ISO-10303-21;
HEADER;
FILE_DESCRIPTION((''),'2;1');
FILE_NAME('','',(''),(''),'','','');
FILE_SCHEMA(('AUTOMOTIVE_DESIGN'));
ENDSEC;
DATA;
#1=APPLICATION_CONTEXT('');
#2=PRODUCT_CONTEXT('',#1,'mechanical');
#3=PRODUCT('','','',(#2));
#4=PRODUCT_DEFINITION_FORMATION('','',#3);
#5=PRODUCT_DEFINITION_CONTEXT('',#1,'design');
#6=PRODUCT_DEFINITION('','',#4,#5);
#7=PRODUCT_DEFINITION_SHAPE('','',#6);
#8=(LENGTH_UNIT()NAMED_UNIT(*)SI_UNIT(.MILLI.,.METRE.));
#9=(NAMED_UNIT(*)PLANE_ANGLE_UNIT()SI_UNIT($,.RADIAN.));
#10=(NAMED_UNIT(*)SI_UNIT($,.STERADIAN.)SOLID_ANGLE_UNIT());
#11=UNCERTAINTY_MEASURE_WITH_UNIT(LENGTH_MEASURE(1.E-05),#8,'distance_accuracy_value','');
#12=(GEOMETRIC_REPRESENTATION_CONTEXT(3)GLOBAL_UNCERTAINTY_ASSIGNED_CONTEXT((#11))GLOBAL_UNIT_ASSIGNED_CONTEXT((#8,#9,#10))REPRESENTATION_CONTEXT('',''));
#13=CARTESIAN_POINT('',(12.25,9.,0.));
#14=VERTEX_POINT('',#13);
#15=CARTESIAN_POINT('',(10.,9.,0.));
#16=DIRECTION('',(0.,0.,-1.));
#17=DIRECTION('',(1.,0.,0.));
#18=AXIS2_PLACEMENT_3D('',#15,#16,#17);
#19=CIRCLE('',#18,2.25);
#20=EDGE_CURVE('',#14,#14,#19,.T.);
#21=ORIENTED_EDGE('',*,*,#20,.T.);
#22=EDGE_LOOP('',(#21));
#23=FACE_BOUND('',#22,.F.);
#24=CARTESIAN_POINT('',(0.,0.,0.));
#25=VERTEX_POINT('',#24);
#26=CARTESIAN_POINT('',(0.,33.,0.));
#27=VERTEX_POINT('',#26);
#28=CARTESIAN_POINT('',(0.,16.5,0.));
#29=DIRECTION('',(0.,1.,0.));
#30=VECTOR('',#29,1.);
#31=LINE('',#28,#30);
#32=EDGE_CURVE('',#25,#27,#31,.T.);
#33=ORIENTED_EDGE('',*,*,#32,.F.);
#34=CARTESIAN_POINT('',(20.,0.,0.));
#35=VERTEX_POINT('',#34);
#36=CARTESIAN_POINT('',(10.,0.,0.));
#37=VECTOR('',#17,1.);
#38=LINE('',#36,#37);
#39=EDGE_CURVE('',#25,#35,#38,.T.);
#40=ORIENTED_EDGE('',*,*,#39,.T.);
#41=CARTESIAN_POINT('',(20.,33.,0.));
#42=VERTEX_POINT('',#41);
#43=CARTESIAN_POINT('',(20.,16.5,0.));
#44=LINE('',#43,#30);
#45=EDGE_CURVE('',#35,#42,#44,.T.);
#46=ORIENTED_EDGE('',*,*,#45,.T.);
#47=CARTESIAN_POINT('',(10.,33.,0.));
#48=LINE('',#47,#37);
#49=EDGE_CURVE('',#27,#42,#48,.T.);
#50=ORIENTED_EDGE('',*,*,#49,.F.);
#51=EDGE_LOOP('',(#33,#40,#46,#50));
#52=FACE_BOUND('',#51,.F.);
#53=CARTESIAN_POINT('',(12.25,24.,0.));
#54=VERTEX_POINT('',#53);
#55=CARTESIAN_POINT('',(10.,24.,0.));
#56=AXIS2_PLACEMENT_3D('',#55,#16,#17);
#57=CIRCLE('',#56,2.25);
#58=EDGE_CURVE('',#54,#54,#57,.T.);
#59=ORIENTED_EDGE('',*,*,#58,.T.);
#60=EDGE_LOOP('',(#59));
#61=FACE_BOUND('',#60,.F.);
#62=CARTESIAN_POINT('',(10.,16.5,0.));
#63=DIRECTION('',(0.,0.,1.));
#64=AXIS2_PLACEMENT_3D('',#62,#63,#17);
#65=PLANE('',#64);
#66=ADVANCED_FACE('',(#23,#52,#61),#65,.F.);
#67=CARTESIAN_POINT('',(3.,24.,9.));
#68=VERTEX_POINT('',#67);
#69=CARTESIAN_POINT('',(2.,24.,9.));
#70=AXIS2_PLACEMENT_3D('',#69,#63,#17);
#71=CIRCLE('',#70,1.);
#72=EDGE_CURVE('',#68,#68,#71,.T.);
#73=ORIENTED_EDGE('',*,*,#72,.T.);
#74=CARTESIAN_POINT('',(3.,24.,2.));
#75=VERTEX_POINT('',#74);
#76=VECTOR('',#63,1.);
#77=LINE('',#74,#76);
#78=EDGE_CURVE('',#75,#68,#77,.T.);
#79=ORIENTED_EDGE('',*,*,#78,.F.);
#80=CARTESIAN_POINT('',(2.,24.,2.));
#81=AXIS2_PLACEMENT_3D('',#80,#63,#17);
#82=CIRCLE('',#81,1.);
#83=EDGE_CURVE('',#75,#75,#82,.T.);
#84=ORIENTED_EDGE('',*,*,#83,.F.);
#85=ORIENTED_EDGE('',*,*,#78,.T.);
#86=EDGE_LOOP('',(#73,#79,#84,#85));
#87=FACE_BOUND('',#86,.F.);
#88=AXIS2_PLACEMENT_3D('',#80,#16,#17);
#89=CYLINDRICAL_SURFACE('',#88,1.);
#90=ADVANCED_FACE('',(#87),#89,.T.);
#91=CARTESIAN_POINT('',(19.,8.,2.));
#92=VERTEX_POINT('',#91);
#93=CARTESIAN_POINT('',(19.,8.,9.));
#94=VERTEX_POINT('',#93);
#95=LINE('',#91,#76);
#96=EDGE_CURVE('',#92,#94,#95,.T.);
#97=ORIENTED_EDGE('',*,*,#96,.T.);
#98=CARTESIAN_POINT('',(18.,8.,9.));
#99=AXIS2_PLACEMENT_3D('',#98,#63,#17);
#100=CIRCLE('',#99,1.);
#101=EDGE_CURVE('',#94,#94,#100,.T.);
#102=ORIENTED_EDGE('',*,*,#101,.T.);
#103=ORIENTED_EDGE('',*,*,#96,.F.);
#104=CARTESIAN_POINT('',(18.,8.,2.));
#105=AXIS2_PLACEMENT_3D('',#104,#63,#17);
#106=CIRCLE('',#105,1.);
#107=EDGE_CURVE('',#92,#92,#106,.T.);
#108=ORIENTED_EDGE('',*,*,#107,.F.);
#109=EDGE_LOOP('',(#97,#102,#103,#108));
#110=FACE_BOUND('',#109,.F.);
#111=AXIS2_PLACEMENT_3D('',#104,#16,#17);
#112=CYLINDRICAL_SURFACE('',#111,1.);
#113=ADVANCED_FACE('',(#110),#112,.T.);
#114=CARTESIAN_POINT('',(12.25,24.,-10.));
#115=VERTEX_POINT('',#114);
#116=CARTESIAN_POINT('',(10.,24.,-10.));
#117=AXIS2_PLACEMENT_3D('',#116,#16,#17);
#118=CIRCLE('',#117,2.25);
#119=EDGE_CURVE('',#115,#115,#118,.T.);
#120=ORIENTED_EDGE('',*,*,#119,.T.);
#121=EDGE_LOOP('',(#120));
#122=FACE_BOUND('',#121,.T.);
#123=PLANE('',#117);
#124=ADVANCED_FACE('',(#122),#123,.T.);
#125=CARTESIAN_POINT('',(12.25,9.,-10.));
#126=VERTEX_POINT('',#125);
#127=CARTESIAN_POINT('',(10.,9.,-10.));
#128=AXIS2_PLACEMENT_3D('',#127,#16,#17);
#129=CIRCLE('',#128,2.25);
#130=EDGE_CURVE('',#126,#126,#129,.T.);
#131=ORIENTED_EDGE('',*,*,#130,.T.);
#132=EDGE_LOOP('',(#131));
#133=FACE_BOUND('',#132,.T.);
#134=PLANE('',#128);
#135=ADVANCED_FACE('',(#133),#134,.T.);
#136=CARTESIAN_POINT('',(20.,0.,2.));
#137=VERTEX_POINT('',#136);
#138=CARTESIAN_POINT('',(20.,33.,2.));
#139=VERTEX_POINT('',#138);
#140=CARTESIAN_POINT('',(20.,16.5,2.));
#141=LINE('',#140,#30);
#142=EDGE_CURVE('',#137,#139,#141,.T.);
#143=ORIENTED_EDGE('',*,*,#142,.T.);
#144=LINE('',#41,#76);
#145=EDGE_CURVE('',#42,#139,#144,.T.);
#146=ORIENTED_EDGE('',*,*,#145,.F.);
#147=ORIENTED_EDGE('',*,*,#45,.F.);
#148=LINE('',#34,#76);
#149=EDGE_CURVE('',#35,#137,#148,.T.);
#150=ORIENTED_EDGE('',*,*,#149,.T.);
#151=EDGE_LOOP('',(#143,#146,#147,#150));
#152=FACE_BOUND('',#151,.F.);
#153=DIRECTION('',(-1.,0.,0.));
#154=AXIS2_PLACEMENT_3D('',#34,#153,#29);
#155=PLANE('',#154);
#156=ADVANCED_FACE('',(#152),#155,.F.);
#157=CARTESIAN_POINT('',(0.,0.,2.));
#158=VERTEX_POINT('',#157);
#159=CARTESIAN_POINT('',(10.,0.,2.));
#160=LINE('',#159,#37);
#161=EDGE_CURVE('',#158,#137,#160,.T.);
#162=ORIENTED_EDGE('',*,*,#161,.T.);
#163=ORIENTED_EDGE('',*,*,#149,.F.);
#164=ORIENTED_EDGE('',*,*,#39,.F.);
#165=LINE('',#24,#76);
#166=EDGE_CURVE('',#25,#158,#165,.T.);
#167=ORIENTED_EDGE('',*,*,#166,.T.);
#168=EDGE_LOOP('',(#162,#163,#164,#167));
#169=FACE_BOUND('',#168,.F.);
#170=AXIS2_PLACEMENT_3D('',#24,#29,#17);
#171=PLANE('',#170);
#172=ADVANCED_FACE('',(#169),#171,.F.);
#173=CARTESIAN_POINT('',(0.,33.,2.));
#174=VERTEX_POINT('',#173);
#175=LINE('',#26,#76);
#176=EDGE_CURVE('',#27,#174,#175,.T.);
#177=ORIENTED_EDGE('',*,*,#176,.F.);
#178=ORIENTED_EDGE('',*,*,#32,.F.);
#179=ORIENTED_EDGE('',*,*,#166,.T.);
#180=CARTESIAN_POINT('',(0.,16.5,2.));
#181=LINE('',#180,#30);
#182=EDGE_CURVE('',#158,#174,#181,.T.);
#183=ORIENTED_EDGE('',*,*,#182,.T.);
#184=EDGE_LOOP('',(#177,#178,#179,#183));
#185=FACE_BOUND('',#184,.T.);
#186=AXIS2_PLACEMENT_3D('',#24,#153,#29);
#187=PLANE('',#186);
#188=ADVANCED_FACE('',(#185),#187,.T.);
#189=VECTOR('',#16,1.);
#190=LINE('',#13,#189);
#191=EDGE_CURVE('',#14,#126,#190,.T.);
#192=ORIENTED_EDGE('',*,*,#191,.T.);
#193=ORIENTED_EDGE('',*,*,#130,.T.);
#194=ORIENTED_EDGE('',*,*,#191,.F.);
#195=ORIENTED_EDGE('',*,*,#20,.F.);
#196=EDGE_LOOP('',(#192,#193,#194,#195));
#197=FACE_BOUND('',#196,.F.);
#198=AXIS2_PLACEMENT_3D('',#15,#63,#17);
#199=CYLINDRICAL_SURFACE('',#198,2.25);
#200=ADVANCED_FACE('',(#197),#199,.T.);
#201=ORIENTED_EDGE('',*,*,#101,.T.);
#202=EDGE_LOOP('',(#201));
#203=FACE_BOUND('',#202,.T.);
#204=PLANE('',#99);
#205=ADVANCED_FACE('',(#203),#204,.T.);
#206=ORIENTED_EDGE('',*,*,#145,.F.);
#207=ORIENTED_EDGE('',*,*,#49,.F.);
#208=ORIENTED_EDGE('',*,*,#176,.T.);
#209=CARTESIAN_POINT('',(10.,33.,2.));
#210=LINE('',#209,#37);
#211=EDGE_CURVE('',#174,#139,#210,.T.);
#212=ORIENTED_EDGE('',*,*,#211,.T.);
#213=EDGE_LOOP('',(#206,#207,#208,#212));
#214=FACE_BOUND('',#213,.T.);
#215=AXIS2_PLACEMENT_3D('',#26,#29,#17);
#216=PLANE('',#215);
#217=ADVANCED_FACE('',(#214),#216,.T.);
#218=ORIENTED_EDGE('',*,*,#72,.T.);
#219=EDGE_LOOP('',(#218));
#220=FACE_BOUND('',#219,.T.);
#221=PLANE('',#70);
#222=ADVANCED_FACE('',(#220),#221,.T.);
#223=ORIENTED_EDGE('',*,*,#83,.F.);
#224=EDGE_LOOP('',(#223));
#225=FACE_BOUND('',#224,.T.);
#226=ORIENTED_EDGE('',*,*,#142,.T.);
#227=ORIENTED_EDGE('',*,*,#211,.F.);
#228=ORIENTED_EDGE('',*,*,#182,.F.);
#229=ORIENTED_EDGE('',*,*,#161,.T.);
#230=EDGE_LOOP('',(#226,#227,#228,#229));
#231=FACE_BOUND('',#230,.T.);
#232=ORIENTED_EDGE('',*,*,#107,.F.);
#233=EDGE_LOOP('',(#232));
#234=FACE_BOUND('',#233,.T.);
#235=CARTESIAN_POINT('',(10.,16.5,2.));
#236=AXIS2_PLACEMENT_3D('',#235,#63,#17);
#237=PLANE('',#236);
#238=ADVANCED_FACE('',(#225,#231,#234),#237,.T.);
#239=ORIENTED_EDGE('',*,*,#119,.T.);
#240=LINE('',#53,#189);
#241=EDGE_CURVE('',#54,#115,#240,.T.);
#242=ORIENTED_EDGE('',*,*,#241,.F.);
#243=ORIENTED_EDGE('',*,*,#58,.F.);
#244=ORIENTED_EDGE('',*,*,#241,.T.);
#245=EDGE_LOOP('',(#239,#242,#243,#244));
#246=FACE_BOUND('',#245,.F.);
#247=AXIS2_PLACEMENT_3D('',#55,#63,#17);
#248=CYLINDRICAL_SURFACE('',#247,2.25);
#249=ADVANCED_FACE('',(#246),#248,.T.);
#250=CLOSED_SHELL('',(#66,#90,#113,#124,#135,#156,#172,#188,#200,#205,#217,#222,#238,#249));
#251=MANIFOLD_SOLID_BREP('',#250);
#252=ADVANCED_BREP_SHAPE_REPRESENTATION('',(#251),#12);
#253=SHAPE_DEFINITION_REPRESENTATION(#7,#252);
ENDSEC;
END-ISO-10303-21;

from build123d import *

# Parameters (mm, degrees)
SKETCH001_R      = 2.25
EXTRUDE001_DEPTH = 10
SKETCH_R         = 1
EXTRUDE_DEPTH    = 7
BOX_W            = 20
BOX_H            = 33
BOX_DEPTH        = 2


with BuildPart() as extrude001:
    # Sketch001 (on Face5 of Fusion) → Extrude001 (new body)
    with BuildSketch(Plane(origin=(0, 0, 0), x_dir=(1, 0, 0), z_dir=(0, 0, -1))):
        with Locations((10, -9)):
            Circle(SKETCH001_R)
        with Locations((10, -24)):
            Circle(SKETCH001_R)
    extrude(amount=EXTRUDE001_DEPTH)


with BuildPart() as extrude_body:
    # Sketch (on Face6 of Box) → Extrude (new body)
    with BuildSketch(Plane.XY.offset(2)):
        with Locations((18, 8)):
            Circle(SKETCH_R)
        with Locations((2, 24)):
            Circle(SKETCH_R)
    extrude(amount=EXTRUDE_DEPTH)


with BuildPart() as fusion001:
    # Box → Box (new body)
    with BuildSketch(Plane.XY):
        with Locations((10, 16.5)):
            Rectangle(BOX_W, BOX_H)
    extrude(amount=BOX_DEPTH)

    # Fusion: union Extrude body
    add(extrude_body.part)

    # Fusion001: union Extrude001
    add(extrude001.part)


solid = fusion001.part
